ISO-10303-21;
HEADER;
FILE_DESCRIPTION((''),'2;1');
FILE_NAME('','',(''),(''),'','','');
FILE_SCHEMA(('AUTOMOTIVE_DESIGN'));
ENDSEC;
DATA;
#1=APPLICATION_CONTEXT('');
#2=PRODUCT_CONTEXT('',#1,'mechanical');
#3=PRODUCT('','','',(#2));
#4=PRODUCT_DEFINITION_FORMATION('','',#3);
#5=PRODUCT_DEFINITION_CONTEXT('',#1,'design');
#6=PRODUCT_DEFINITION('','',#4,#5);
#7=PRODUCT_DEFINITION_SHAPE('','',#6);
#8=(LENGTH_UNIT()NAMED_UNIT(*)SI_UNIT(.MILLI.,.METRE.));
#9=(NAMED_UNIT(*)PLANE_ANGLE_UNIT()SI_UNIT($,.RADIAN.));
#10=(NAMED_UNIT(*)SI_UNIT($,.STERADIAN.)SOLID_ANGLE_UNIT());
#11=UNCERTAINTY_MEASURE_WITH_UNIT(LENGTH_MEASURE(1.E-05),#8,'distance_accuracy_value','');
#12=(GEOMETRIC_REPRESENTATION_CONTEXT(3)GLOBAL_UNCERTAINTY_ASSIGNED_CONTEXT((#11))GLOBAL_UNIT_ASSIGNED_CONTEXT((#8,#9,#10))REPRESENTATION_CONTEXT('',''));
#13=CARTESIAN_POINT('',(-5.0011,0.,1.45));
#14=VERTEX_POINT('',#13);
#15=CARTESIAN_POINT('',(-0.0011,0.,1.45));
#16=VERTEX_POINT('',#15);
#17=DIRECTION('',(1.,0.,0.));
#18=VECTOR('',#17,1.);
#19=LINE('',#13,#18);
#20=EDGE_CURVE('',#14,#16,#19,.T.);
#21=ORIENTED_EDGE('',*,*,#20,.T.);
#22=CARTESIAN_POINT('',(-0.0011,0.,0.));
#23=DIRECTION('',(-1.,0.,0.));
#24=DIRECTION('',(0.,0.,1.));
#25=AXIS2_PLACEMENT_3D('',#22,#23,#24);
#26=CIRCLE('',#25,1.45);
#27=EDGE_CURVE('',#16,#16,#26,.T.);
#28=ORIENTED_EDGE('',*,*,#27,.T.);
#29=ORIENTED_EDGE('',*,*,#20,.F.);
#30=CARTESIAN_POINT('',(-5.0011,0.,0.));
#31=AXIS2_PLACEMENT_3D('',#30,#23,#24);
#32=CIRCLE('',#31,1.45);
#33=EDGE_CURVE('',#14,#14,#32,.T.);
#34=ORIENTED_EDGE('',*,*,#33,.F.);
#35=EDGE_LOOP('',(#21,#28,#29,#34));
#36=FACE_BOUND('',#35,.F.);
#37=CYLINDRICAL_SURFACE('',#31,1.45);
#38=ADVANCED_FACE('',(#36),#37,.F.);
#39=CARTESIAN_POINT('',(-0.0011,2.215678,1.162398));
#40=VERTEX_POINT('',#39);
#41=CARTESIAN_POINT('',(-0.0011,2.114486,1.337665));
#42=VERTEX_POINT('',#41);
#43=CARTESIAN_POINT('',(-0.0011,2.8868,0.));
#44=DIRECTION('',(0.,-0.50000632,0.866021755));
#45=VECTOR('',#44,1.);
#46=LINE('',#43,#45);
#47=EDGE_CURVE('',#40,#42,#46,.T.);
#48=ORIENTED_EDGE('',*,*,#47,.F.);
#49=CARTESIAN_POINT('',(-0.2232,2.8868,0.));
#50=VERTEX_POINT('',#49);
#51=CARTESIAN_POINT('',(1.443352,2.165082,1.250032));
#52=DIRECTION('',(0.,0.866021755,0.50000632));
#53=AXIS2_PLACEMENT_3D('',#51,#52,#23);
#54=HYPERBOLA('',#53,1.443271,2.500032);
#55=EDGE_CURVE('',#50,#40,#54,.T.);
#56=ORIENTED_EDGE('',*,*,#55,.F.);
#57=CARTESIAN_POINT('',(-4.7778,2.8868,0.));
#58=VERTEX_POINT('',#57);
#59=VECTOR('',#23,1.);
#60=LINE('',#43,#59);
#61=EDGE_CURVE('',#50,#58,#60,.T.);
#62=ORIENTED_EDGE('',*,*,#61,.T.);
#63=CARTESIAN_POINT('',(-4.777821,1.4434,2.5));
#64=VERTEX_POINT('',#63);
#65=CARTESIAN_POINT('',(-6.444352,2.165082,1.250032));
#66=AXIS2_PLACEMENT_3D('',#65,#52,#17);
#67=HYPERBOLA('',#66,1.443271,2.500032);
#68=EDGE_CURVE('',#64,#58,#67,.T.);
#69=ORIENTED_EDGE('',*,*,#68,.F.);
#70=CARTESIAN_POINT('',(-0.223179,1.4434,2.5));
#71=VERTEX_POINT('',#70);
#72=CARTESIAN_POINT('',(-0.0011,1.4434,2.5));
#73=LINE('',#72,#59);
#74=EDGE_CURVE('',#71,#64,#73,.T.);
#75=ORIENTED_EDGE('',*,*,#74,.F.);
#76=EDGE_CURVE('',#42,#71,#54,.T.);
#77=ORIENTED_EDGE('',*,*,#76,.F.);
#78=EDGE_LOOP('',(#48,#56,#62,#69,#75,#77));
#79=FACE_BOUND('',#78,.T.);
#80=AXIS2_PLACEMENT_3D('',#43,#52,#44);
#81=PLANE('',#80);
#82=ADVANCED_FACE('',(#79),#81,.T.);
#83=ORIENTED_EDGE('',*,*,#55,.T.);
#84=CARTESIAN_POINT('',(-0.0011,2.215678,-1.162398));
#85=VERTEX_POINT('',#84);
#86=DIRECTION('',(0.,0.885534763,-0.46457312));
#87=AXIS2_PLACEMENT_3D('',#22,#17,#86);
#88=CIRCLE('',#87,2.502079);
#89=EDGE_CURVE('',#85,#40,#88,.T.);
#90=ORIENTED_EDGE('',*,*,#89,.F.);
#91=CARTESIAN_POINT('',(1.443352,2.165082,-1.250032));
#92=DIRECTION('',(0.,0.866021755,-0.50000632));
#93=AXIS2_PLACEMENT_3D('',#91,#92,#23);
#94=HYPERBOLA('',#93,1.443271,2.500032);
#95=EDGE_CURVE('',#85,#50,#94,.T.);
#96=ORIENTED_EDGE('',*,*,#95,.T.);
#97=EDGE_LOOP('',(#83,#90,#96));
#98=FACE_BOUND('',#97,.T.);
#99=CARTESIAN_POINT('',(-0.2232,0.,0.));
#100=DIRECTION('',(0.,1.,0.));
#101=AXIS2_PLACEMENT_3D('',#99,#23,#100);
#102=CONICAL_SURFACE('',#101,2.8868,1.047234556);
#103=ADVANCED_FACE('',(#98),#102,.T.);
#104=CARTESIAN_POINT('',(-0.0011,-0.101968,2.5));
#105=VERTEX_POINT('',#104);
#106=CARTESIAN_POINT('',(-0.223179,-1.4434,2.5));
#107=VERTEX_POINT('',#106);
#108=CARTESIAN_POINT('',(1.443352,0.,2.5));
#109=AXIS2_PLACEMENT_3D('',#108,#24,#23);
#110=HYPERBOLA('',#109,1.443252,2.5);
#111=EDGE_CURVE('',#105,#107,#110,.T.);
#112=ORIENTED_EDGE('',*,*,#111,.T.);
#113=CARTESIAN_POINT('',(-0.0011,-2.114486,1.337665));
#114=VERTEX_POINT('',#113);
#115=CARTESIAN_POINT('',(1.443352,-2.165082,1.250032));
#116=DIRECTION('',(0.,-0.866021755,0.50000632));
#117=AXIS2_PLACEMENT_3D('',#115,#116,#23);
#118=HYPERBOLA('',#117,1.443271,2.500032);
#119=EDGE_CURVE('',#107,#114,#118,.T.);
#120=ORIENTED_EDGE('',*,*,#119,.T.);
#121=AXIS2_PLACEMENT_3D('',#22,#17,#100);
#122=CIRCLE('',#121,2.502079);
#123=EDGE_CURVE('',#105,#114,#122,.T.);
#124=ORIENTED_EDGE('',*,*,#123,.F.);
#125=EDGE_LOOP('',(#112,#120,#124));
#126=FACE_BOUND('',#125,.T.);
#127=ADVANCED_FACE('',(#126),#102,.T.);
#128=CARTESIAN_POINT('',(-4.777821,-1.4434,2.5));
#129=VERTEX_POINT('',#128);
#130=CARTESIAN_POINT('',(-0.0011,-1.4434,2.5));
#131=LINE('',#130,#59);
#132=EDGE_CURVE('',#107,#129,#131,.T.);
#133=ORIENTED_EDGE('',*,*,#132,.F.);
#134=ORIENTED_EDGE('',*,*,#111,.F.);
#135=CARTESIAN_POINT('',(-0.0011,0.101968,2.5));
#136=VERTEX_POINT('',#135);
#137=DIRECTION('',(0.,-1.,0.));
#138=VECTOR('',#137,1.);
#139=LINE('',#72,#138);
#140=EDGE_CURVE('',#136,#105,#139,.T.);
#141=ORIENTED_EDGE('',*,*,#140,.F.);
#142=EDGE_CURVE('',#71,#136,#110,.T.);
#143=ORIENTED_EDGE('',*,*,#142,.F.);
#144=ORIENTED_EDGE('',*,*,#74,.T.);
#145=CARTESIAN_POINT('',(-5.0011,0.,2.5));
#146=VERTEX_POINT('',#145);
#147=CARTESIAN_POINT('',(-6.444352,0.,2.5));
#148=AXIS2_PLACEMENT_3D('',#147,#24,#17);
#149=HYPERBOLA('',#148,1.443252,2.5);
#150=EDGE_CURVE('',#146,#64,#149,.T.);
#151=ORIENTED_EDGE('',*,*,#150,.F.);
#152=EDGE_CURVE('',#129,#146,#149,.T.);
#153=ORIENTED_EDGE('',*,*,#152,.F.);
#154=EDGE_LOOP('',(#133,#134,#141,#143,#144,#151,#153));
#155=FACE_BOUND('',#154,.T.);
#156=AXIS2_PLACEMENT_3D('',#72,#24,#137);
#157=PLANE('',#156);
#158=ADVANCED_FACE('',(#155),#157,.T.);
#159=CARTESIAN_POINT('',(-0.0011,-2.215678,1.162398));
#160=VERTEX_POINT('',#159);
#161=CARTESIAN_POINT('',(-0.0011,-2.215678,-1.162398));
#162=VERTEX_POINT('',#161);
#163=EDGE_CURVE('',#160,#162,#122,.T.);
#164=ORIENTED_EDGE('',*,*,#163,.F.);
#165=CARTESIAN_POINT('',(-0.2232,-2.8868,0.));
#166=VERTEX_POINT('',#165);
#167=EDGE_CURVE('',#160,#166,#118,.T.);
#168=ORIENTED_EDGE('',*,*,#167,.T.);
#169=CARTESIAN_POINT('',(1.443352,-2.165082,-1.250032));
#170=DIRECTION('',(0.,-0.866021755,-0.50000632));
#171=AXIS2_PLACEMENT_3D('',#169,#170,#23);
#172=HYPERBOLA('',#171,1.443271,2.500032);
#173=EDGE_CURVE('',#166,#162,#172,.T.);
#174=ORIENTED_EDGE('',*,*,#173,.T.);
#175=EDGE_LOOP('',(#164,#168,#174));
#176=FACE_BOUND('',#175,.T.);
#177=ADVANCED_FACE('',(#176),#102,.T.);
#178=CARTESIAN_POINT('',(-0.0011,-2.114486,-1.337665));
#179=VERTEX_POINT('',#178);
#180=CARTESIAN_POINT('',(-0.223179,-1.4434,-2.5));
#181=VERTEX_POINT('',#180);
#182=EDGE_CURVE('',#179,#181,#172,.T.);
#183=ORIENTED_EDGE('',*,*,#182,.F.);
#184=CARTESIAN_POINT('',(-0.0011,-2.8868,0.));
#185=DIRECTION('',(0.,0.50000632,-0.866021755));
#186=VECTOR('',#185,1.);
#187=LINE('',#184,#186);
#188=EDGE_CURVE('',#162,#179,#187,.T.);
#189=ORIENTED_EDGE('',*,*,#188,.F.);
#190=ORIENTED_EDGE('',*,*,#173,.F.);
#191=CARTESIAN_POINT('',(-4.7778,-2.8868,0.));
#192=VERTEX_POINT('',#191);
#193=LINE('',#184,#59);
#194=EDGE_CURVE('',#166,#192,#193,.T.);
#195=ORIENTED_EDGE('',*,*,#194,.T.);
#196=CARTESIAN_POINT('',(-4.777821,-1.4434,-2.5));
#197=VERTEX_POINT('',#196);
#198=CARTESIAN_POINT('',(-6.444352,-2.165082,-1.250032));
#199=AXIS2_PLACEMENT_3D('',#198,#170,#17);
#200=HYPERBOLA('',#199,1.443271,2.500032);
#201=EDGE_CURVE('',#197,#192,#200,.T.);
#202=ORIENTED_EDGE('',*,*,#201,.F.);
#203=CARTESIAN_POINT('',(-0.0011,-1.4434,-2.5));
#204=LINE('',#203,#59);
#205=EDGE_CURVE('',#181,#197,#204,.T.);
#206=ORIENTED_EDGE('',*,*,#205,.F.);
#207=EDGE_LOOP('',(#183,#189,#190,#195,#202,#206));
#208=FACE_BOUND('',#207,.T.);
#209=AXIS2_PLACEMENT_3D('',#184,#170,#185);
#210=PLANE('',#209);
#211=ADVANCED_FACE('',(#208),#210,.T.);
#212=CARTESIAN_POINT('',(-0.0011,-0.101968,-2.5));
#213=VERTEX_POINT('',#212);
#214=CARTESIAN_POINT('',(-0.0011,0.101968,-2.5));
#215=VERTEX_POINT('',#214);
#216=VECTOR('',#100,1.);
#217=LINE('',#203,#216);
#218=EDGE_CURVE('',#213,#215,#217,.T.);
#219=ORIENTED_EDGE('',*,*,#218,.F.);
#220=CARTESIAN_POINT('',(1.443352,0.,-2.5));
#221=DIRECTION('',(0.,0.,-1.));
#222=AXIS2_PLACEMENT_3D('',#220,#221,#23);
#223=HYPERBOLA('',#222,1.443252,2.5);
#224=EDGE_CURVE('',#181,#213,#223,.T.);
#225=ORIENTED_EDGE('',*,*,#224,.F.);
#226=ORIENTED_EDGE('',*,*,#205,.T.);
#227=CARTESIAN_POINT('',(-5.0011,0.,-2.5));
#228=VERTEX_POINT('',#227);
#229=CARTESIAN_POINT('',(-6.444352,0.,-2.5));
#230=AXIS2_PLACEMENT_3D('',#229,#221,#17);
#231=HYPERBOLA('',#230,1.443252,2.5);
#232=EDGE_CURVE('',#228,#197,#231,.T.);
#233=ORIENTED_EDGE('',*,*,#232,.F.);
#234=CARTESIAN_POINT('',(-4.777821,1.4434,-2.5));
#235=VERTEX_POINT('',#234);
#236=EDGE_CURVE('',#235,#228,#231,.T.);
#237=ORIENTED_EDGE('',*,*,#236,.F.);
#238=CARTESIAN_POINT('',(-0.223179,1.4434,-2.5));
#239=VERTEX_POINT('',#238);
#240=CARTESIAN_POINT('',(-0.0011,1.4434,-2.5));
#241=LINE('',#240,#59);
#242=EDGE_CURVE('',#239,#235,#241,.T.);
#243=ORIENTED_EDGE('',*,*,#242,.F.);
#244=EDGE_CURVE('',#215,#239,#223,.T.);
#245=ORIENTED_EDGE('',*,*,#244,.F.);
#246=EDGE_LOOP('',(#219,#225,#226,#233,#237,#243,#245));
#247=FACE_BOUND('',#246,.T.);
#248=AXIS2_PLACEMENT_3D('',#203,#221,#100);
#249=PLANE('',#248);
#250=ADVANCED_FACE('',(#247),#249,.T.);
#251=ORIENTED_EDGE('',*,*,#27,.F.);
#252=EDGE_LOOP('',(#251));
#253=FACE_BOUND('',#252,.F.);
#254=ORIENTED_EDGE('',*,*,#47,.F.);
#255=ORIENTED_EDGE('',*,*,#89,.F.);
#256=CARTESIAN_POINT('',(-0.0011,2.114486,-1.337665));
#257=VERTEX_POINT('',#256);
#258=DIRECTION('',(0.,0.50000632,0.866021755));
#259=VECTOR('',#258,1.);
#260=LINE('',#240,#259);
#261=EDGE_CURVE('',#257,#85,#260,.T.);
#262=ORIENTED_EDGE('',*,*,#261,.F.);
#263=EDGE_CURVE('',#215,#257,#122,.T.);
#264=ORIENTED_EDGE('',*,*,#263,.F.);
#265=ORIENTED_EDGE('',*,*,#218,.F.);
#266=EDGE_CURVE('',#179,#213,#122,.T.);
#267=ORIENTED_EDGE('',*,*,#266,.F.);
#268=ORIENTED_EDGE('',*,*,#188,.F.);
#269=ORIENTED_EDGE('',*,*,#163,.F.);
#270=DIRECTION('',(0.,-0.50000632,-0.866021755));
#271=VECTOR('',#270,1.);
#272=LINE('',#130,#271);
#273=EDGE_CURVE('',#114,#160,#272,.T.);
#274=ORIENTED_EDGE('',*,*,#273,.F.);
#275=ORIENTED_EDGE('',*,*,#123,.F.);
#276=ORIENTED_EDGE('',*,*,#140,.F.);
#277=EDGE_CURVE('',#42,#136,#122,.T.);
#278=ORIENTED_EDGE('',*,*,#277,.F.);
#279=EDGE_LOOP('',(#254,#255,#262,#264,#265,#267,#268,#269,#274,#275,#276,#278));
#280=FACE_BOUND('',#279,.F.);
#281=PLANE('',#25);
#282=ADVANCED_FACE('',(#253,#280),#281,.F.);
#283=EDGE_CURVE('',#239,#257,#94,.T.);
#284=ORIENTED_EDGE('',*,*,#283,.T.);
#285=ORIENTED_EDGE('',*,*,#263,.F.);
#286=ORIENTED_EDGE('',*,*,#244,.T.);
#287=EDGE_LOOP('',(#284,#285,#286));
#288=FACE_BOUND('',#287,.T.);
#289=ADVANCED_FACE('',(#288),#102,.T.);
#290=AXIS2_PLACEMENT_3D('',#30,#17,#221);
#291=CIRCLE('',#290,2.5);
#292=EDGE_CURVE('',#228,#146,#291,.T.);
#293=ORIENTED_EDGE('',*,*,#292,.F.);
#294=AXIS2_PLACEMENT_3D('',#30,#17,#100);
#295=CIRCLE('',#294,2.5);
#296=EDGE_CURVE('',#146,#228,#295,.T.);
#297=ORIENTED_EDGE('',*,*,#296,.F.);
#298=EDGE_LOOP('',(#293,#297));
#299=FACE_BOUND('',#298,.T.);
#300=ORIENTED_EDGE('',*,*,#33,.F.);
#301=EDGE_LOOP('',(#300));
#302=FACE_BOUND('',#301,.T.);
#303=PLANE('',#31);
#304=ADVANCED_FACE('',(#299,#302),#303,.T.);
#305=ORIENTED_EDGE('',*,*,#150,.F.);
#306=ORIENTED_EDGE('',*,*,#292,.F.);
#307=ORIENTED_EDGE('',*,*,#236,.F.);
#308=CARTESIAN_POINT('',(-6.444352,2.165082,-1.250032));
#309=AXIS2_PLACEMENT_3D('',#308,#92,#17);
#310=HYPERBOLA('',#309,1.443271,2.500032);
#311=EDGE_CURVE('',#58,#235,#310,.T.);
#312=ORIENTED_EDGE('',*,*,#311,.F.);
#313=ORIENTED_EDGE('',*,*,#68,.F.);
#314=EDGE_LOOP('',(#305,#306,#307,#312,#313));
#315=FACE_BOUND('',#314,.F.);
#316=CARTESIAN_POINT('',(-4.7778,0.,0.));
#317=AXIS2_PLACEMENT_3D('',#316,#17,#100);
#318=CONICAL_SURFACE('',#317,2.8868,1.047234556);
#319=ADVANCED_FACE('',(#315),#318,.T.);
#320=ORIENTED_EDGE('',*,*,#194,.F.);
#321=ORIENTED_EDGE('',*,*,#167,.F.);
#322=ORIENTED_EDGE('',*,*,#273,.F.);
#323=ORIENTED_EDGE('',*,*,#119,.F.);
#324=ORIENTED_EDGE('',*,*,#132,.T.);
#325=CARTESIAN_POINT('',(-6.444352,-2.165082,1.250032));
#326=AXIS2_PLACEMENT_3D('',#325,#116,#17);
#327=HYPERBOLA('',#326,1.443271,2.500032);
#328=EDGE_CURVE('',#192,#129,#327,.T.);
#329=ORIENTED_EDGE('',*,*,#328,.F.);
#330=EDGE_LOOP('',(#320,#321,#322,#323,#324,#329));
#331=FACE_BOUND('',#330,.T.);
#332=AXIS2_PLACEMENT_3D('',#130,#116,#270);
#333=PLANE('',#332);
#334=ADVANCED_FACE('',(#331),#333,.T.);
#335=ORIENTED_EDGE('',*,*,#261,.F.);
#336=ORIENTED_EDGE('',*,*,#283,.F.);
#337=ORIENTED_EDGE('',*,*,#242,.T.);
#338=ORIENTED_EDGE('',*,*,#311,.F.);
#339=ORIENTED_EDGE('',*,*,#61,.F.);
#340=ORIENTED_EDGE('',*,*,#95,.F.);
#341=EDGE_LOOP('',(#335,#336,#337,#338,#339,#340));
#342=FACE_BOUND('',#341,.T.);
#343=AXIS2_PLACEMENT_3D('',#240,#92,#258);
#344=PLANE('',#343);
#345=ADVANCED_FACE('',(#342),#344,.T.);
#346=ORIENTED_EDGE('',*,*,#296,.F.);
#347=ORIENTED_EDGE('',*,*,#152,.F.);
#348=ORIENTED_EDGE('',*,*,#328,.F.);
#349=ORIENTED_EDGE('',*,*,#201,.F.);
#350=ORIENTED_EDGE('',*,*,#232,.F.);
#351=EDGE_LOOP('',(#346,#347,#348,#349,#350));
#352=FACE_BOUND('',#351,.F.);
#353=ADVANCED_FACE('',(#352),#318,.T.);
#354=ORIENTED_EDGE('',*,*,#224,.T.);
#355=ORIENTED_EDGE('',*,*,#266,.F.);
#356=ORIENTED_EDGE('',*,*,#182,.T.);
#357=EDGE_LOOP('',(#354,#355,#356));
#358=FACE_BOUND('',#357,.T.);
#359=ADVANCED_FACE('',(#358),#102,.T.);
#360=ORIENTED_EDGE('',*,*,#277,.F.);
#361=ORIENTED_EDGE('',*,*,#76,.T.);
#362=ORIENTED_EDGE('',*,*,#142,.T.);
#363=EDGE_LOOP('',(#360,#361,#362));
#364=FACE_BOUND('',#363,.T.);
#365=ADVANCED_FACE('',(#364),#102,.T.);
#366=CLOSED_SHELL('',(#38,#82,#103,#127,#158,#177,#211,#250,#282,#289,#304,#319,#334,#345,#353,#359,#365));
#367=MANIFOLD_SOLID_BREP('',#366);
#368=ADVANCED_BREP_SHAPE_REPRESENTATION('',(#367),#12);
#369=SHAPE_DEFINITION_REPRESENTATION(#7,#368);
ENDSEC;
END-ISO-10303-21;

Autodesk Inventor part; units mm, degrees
ref_plane "YZ Plane" through (0, 0, 0) normal (1, 0, 0) x (0, 1, 0)
sketch "Sketch1" plane through (0, 0, 0) normal (0, 0, 1) x (1, 0, 0)
  line L0 (0, 2.5) -> (0, 1.25)
  line L1 (1.3, 1.25) -> (6, 1.25)
  line L2 (6, 1.25) -> (6, 0)
  line L3 (6, 0) -> (-0.0011, 0)
  line L4 (-1.2013, 0) -> (7.2002, 0) projected
  line L5 (-0.0011, 0) -> (-0.0011, 2.5)
  line L6 (-0.0011, 2.5) -> (0, 2.5)
  line L7 (1.3, 1.25) -> (1.0238, 1.25)
  line L8 (1.0238, 1.25) -> (0, 1.25)
  line L9 (0, -0.5) -> (0, 3) projected
  dimension "d0" = 6
  dimension "d1" = 4.7
  dimension "d2" = 2.5
  dimension "d9" = 0.0011
  dimension "d10" = 5
  dimension "d13" = 0.2762
  dimension "d14" = 2.5
revolve "Body" add sketch "Sketch1" angle 360 about axis through (6, 0, 0) along (-1, 0, 0)
sketch "Sketch2" plane through (-0.0011, 0, 0) normal (-1, 0, 0) x (0, 0, 1)
  line L0 (0, 2.8868) -> (2.5, 1.4434)
  line L1 (2.5, 1.4434) -> (2.5, -1.4434)
  line L2 (2.5, -1.4434) -> (0, -2.8868)
  line L3 (0, -2.8868) -> (-2.5, -1.4434)
  line L4 (-2.5, -1.4434) -> (-2.5, 1.4434)
  line L5 (-2.5, 1.4434) -> (0, 2.8868)
  point P0 (0, 0)
  point P1 (0, 0)
  dimension "d11" = 5
extrude "Head" add sketch "Sketch2" along normal blind 5
sketch "Sketch4" plane through (0, 0, 0) normal (0, 0, 1) x (1, 0, 0)
  line L0 (-5.0011, 2.5) -> (-5.0011, 2.8868)
  line L1 (-5.0011, 2.8868) -> (-4.7778, 2.8868)
  line L2 (-4.7778, 2.8868) -> (-5.0011, 2.5)
  line L3 (-2.0399, 0) -> (0.3387, 0) projected
  line L4 (-0.0011, 2.8868) -> (-5.0011, 2.8868) projected
  line L5 (-5.0011, 1.4434) -> (-5.0011, 2.8868) projected
  line L6 (-0.0011, -2.8868) -> (-5.0011, -2.8868) projected
  line L7 (-0.0011, 2.1651) -> (-0.0011, 2.8868) projected
  line L8 (-0.0011, 2.8868) -> (-0.2244, 2.8868)
  dimension "d5" = 30
  dimension "d19" = 5
revolve "Chamfer1" cut sketch "Sketch4" angle 360 about axis through (-10, 0, 0) along (1, 0, 0)
thread "Thread" size "M2.5x0.45" class "6g" standard "ISO Metric profile" length 4.7
chamfer "Chamfer2" distance 0.2761 distance2 0.2762 1 edges at (6, -1.25, 0) measured on face at (6, -0.3871, 0.3429)
ref_plane "Work Plane1" through (1.525, 0, 0) normal (0, 0, 1) x (1, 0, 0)
sketch "Sketch7" plane through (-5.0011, 0, 0) normal (-1, 0, 0) x (0, 0, 1)
  circle A0 centre (0, 0) radius 1.45
  point P0 (0, 0)
  dimension "d59" = 2.9
extrude "Extrusion5" cut sketch "Sketch7" against normal blind 20
ref_plane "Work Plane2" through (-2.5005, 0, 0) normal (1, 0, 0) x (0, 0, -1)
mirror "Mirror1" about plane through (-2.5005, 0, 0) normal (1, 0, 0) of "Chamfer1"
equation "\"d11\" = SW"
equation "\"d15\" = GEL"
equation "\"d6\" = -0.5 * SPD + 0.5 * GD"
equation "\"d0\" = NLG"
equation "\"d1\" = GEL"
equation "\"d2\" = GD"
equation "\"d10\" = SD2"
equation "\"d14\" = BDM"
equation "\"d5\" = ANG1"
equation "\"d19\" = SW0"
equation "\"NLG\" = 6"
equation "\"GD\" = NND"
equation "\"BDM\" = NND"
equation "\"KOH\" = 1.7"
equation "\"GEL\" = 4.7"
equation "\"SW\" = 5"
equation "\"SW0\" = SW"
equation "\"SPD\" = NND - 1.2269 * PTC"
equation "\"SD2\" = SW"
equation "\"SD\" = 0.001"
equation "\"ANG1\" = 30deg"
equation "\"GAL\" = 0.61345 * PTC"
equation "\"GUL\" = 0.61345 * PTC"
equation "\"RR\" = 0.001"
equation "\"WFT\" = SD"
equation "\"GD1\" = THREADDIA - 1.2269 * PTC"
equation "\"THREADDIA\" = 2.5"
equation "\"SDH\" = SW"
equation "\"TOA\" = 30deg"
equation "\"FAWI\" = 45deg"
equation "\"PTC\" = 0.45"
equation "\"NND\" = 2.5"
equation "\"E0\" = 1.155 * SW"
properties part number "AS 1110 - M2.5 x 6" material "Steel, Mild"
